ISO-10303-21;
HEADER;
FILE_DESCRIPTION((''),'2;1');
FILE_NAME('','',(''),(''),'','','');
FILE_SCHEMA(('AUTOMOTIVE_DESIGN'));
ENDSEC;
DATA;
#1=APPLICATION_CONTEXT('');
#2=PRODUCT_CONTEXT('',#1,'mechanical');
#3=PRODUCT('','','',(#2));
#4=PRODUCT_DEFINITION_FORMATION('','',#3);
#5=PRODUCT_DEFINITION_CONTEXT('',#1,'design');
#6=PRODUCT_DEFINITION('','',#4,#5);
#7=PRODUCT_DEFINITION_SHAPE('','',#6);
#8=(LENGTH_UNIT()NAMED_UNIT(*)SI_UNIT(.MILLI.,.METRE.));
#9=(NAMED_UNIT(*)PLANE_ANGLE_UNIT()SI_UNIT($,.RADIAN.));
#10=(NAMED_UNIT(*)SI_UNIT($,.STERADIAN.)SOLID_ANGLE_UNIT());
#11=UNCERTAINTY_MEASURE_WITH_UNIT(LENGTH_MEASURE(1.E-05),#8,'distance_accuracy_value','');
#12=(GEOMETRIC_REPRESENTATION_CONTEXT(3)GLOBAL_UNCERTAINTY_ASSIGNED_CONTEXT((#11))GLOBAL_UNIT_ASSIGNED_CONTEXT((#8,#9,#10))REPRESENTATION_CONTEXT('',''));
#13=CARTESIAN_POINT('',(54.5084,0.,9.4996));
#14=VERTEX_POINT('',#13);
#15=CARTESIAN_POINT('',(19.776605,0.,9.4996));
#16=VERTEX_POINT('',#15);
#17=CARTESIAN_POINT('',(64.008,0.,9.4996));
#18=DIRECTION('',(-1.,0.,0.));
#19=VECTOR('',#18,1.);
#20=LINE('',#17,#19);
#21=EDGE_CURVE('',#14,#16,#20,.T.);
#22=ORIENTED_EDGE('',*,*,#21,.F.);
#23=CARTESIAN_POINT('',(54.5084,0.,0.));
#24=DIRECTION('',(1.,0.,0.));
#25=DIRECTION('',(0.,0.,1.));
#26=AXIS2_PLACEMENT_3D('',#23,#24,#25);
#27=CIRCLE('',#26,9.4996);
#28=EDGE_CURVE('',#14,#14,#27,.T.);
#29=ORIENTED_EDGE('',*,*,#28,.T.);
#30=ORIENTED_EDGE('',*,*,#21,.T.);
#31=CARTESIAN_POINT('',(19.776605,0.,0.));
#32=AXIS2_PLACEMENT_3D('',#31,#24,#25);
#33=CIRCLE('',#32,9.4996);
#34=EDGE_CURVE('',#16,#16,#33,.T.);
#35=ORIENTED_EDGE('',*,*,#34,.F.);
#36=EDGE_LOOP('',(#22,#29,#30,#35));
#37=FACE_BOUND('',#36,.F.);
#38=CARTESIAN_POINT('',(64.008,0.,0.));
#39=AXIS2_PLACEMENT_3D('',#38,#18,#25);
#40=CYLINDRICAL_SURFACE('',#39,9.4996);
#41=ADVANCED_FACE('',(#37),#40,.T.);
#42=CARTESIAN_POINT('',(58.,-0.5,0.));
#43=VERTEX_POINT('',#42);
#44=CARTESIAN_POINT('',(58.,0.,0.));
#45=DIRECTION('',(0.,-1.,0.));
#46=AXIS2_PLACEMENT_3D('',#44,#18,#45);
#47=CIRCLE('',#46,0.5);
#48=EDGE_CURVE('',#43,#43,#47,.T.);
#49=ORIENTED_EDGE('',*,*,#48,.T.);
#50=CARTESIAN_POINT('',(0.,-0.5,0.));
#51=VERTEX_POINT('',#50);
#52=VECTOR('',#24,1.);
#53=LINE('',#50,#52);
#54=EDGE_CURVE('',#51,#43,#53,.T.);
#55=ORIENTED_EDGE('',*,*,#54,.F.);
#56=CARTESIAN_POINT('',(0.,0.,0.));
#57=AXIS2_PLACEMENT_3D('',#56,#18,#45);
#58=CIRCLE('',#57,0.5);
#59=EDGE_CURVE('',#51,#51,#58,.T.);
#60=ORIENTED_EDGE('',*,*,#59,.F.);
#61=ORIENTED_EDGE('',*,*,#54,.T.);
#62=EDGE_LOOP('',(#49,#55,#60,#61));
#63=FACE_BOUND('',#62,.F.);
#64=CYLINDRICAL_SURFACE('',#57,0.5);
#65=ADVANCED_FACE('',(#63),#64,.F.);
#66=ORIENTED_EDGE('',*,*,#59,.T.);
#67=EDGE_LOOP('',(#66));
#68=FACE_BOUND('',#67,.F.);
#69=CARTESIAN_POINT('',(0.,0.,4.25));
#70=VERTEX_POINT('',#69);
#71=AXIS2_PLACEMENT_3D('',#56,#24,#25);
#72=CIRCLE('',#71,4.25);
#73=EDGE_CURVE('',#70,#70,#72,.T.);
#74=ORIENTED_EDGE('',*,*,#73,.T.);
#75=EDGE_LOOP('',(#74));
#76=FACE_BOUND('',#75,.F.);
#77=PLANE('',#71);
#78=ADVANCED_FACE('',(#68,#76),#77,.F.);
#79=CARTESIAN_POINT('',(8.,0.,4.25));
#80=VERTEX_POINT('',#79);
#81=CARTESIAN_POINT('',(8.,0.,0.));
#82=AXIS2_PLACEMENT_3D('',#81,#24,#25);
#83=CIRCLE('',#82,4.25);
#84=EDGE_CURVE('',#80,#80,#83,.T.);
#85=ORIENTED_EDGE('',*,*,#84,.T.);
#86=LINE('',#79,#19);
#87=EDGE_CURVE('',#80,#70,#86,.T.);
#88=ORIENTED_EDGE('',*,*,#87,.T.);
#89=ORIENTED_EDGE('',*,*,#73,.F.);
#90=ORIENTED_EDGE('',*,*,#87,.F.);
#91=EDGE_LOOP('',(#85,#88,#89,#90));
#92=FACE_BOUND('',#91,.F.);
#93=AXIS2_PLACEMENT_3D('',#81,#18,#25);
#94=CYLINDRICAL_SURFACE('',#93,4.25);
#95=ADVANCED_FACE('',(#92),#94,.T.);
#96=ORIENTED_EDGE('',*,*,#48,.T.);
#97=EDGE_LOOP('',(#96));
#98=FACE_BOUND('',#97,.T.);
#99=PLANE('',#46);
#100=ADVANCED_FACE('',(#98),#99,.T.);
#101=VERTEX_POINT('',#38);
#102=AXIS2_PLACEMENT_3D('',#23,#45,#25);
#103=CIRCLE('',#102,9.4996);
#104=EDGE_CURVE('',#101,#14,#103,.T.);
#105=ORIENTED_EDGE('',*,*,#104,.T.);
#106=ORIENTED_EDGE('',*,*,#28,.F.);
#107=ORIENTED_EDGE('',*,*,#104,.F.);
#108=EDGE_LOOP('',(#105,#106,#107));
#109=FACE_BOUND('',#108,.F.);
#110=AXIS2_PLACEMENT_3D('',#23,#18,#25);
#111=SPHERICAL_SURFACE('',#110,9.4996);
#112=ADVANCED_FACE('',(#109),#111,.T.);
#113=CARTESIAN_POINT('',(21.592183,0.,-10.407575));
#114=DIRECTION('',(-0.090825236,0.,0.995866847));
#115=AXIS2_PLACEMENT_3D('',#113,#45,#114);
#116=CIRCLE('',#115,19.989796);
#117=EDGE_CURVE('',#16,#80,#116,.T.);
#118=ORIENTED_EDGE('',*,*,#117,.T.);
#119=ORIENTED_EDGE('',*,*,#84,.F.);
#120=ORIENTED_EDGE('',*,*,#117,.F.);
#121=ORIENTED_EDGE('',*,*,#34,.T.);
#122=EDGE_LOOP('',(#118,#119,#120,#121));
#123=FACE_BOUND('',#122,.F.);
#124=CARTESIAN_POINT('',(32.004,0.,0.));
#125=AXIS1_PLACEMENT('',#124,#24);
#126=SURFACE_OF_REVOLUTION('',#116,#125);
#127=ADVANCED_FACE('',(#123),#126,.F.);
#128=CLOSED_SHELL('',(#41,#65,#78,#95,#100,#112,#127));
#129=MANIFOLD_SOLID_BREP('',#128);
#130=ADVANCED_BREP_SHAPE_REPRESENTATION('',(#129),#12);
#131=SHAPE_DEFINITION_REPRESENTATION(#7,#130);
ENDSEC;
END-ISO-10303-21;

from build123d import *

# Parameters (mm, degrees)
F2_R     = 9.4996
F3_R     = 0.5
F4_DEPTH = 58


with BuildPart() as f1:
    # F0 (on Front) → F1 (revolve)
    with BuildSketch(Plane.XZ):
        with BuildLine():
            Line((0, 4.25), (0, 0))
            Line((0, 0), (8, 0))
            Line((8, 0), (64.008, 0))
            Line((64.008, 0), (64.008, 9.4996))
            Line((64.008, 9.4996), (47.55421, 9.4996))
            Line((47.55421, 9.4996), (32.004, 9.4996))
            Line((32.004, 9.4996), (19.776605, 9.4996))
            ThreePointArc((19.776605, 9.4996), (13.453427, 7.850371), (8, 4.25))
            Line((8, 4.25), (0, 4.25))
        make_face()
    revolve(axis=Axis((32.004, 0, 0), (1, 0, 0)))

    # F2
    f2_edges = [f1.edges().sort_by_distance(p)[0] for p in [
        (64.008, 0, -9.4996),
    ]]
    fillet(f2_edges, radius=F2_R)

    # F3 (on face) → F4 (cut)
    with BuildSketch(Plane(origin=(0, 0, 0), x_dir=(0, -1, 0), z_dir=(-1, 0, 0))):
        Circle(F3_R)
    extrude(amount=-F4_DEPTH, mode=Mode.SUBTRACT)


solid = f1.part
